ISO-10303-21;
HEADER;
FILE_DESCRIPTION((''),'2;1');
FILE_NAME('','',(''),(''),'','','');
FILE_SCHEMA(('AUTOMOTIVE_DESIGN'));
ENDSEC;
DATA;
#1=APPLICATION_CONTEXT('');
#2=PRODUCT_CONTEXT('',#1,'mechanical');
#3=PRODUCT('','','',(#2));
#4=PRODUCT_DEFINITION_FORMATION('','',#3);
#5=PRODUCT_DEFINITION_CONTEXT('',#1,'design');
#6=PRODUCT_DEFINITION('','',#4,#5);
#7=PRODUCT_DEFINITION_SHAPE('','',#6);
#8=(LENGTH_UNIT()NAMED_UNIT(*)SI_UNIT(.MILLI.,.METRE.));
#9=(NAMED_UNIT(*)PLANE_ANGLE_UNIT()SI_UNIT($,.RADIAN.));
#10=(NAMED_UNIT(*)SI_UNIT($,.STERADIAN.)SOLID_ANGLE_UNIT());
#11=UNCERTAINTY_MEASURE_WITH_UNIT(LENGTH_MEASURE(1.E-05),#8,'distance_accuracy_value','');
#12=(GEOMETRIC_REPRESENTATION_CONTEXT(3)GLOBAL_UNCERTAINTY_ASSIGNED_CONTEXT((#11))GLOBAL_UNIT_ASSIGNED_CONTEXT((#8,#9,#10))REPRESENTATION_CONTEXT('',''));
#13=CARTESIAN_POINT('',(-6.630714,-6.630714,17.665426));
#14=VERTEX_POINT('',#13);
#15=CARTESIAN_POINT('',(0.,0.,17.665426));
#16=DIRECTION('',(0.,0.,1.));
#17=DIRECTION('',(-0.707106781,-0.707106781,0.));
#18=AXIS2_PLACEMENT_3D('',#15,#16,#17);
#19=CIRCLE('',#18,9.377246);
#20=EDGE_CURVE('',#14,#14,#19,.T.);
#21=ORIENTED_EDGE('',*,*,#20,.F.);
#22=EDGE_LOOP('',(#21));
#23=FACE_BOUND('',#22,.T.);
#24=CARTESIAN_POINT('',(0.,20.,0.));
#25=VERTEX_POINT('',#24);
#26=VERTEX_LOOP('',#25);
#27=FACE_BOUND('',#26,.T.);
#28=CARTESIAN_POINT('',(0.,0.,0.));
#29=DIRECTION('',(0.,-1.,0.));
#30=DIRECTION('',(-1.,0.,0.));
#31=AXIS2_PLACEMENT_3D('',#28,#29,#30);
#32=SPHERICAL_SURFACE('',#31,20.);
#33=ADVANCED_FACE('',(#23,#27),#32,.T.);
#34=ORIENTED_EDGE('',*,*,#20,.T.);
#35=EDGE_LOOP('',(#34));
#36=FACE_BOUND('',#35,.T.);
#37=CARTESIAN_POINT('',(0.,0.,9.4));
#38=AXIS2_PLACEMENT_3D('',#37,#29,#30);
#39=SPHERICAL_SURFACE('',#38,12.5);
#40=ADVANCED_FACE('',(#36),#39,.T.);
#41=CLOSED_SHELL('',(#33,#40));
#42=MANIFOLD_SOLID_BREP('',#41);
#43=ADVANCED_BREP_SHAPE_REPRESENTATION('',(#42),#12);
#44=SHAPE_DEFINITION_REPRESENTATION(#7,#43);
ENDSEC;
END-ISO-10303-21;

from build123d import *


with BuildPart() as f1:
    # F0 (on Top) → F1 (revolve)
    with BuildSketch(Plane.XY):
        with BuildLine():
            Line((0, -20), (0, 20))
            ThreePointArc((0, 20), (-20, 0), (0, -20))
        make_face()
    revolve(axis=Axis((0, 0, 0), (0, -1, 0)))

    # F3 (on offset) → F4 (revolve)
    with BuildSketch(Plane.XY.offset(9.4)):
        with BuildLine():
            Line((0, -12.5), (0, 12.5))
            ThreePointArc((0, 12.5), (-12.5, 0), (0, -12.5))
        make_face()
    revolve(axis=Axis((0, 0, 9.4), (0, -1, 0)))


solid = f1.part
